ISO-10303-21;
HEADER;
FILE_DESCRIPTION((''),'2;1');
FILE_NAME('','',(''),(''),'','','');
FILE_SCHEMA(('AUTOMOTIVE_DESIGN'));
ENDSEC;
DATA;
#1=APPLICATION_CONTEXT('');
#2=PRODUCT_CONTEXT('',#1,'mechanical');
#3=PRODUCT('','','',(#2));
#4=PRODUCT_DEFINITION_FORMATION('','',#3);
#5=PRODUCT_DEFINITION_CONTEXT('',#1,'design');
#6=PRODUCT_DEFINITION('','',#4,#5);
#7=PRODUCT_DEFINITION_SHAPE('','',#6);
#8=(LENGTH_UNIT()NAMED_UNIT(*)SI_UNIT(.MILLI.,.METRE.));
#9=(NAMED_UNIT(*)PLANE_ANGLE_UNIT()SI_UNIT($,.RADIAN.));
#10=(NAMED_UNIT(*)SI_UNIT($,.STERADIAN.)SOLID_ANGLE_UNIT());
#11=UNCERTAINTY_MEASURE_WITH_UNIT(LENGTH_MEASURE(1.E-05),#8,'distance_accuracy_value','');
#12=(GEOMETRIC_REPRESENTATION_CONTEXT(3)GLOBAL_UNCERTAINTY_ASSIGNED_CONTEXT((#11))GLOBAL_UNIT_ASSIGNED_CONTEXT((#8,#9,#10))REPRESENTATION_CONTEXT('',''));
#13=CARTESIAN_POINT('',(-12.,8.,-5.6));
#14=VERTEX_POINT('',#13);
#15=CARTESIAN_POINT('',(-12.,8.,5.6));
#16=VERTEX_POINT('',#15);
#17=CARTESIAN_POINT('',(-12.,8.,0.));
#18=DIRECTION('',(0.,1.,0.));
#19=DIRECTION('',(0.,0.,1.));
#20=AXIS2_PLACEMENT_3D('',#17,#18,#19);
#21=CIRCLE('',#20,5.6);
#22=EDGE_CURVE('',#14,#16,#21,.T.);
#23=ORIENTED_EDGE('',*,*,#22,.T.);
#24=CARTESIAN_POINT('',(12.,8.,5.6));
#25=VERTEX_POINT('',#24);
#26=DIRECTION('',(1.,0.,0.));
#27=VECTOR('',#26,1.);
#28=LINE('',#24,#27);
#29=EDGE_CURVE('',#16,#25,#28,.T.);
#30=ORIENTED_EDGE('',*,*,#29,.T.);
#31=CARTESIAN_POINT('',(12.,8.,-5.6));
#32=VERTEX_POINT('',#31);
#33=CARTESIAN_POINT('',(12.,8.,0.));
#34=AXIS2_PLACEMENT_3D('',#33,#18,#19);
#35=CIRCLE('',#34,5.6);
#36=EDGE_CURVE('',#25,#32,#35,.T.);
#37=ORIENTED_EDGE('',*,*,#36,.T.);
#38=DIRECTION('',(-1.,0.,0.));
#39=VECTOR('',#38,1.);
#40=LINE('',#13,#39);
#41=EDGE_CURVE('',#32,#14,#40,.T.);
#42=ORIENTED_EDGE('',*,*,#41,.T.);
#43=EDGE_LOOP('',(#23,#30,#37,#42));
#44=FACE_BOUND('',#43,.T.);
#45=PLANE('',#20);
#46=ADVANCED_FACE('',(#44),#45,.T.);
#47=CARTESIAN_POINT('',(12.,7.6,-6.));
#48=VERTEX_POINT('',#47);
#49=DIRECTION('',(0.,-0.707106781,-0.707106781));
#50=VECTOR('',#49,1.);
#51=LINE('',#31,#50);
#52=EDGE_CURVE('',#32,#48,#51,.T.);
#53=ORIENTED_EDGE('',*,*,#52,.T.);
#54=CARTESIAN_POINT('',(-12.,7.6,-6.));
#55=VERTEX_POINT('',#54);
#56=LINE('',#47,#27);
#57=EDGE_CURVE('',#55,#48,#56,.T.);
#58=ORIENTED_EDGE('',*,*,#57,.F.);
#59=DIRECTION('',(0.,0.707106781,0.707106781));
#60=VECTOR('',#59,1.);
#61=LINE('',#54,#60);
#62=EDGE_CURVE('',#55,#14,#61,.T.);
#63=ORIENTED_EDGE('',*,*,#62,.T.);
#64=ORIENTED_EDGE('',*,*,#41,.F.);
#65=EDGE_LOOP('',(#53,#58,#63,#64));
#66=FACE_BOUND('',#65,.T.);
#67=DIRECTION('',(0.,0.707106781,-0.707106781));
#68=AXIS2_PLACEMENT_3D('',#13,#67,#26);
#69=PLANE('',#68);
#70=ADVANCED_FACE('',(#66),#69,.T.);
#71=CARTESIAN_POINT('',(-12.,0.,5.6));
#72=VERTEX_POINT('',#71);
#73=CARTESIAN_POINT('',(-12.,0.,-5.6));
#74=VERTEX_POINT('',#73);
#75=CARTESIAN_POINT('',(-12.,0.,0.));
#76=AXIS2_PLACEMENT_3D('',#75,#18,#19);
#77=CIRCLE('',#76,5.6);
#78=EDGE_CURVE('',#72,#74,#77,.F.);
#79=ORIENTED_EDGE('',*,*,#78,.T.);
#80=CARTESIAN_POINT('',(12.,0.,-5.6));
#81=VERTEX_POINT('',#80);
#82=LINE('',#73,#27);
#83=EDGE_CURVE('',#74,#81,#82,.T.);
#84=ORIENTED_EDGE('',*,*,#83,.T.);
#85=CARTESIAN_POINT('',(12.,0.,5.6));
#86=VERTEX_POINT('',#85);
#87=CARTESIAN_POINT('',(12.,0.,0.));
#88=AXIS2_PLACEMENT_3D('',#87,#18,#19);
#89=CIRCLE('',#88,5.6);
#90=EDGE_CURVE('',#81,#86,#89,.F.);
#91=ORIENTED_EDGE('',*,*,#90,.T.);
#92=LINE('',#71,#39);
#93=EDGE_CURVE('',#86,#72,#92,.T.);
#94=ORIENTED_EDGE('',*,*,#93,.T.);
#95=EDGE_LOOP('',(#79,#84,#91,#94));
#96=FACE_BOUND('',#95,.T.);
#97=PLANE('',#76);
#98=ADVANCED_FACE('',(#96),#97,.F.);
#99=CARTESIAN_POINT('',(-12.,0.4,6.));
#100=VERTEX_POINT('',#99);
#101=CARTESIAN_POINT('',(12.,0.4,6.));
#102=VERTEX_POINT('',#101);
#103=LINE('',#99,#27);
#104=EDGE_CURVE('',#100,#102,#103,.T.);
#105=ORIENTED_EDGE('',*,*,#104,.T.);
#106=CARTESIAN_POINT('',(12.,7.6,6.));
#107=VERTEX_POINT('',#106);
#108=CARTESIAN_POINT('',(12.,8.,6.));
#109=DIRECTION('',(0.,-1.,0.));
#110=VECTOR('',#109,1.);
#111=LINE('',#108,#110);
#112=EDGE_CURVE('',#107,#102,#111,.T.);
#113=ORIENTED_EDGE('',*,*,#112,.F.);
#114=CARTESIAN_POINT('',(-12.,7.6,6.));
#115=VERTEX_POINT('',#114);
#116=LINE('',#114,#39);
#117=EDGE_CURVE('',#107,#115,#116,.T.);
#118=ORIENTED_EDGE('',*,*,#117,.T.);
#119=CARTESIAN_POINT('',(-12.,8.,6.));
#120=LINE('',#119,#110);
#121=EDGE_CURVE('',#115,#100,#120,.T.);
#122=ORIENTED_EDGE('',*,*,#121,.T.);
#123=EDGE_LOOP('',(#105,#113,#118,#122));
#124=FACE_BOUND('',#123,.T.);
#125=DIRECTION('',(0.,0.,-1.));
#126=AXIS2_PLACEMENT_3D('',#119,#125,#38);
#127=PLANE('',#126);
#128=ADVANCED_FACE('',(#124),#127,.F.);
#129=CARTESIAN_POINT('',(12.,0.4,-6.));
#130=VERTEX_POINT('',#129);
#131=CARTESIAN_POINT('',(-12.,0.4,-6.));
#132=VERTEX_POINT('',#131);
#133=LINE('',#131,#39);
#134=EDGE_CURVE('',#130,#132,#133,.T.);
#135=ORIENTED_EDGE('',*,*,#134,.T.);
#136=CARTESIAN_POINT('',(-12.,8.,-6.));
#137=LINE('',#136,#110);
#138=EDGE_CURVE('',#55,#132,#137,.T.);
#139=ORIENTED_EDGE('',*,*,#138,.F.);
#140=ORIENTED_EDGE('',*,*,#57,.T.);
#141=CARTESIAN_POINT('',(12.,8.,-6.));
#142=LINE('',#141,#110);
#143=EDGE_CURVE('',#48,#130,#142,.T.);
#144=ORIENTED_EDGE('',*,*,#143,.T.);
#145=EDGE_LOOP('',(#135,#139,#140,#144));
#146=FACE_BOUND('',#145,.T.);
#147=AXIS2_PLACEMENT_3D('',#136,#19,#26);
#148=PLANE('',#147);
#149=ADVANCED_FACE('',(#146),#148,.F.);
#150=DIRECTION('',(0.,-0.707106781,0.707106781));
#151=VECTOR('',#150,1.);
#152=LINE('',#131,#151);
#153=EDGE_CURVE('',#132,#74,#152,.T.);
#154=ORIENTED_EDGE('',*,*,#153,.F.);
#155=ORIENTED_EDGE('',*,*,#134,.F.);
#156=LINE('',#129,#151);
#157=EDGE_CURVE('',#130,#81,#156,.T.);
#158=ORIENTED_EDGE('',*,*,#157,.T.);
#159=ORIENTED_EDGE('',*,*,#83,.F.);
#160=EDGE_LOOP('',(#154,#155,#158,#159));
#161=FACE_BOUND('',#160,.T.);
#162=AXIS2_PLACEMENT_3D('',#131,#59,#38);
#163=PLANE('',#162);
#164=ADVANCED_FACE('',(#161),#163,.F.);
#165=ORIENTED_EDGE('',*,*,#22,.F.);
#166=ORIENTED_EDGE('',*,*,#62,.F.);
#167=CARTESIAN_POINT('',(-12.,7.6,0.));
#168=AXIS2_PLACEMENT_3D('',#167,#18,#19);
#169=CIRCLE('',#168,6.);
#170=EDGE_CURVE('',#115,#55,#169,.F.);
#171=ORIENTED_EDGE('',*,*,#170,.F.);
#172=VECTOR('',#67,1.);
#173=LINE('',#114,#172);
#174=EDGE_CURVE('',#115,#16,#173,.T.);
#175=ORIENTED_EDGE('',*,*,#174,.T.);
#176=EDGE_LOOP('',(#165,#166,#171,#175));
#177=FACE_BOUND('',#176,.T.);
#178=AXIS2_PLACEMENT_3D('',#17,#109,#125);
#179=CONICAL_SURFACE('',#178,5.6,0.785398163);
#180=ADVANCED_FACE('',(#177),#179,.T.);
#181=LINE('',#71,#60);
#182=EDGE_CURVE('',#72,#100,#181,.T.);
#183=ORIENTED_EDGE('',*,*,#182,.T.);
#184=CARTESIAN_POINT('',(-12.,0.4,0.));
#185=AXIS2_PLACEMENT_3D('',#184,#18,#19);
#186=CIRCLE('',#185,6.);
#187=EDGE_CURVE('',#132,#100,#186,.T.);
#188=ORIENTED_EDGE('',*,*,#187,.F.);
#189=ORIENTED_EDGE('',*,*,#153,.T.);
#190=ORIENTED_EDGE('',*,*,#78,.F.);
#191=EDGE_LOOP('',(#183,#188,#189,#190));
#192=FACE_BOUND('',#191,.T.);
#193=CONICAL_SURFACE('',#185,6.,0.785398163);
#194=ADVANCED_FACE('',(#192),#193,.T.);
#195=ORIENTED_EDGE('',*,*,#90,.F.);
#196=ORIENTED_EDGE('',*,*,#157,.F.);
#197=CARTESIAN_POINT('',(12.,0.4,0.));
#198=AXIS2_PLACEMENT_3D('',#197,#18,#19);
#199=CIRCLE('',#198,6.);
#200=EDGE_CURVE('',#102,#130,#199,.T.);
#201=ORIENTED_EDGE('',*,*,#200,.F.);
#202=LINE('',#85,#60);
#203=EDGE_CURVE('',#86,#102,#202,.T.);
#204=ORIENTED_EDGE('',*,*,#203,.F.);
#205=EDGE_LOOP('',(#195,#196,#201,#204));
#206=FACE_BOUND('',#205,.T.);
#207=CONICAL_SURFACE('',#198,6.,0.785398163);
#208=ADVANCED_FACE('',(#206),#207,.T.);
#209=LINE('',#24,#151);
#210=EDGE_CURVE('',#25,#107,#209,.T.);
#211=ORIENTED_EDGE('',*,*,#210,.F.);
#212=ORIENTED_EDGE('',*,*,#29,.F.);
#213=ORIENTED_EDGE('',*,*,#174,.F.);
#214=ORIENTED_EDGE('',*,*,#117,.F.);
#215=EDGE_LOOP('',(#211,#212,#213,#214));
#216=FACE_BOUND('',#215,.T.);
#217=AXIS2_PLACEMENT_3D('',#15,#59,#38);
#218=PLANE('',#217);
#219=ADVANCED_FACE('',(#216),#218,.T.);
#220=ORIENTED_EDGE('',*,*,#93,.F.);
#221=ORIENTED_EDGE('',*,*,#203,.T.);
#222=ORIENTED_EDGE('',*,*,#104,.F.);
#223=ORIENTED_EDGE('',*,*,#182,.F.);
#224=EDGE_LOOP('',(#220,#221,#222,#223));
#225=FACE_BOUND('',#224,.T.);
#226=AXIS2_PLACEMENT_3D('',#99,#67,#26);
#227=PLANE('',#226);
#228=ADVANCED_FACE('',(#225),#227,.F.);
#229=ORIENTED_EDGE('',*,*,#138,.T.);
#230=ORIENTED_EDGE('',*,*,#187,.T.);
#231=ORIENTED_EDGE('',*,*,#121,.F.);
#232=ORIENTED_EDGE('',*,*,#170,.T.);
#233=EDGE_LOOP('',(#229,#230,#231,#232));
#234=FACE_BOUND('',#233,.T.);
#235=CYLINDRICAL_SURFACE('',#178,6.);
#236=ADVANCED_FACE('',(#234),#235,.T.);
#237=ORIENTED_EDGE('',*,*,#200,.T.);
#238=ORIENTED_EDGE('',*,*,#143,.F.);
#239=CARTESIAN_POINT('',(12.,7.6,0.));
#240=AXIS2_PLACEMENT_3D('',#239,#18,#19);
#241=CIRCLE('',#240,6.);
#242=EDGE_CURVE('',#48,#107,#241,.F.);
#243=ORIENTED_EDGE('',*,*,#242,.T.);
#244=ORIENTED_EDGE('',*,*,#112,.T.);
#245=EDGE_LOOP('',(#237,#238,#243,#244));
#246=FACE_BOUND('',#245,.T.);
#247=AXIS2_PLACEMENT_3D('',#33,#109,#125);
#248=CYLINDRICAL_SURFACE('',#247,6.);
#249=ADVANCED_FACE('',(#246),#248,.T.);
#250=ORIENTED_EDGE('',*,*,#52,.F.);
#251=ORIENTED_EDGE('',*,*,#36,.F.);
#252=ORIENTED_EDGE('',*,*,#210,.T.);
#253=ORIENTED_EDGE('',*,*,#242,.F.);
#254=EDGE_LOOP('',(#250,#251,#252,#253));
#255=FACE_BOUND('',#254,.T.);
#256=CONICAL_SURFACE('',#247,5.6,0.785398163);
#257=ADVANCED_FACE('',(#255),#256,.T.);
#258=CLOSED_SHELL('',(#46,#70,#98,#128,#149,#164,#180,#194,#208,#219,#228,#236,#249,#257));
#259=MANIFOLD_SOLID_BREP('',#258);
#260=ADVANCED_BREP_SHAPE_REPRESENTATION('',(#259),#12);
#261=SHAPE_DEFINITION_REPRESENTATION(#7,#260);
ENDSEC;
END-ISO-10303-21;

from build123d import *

# Parameters (mm, degrees)
EXTRUDE_1_DEPTH = 8
CHAMFER_1_SIZE  = 0.4
CHAMFER_2_SIZE  = 0.4


with BuildPart() as part:
    # 草图1 → 凸台-拉伸1 (new body)
    with BuildSketch(Plane(origin=(0, 0, 0), x_dir=(1, 0, 0), z_dir=(0, 1, 0))):
        with BuildLine():
            Line((-12, 6), (12, 6))
            ThreePointArc((12, 6), (18, 0), (12, -6))
            Line((12, -6), (-12, -6))
            ThreePointArc((-12, -6), (-18, 0), (-12, 6))
        make_face()
    extrude(amount=EXTRUDE_1_DEPTH)

    # 倒角1
    chamfer_1_edges = [part.edges().sort_by_distance(p)[0] for p in [
        (18, 8, 0),
        (0, 8, -6),
        (-18, 8, 0),
        (0, 8, 6),
    ]]
    chamfer(chamfer_1_edges, length=CHAMFER_1_SIZE)

    # 倒角2
    chamfer_2_edges = [part.edges().sort_by_distance(p)[0] for p in [
        (0, 0, -6),
        (18, 0, 0),
        (0, 0, 6),
        (-18, 0, 0),
    ]]
    chamfer(chamfer_2_edges, length=CHAMFER_2_SIZE)


solid = part.part
